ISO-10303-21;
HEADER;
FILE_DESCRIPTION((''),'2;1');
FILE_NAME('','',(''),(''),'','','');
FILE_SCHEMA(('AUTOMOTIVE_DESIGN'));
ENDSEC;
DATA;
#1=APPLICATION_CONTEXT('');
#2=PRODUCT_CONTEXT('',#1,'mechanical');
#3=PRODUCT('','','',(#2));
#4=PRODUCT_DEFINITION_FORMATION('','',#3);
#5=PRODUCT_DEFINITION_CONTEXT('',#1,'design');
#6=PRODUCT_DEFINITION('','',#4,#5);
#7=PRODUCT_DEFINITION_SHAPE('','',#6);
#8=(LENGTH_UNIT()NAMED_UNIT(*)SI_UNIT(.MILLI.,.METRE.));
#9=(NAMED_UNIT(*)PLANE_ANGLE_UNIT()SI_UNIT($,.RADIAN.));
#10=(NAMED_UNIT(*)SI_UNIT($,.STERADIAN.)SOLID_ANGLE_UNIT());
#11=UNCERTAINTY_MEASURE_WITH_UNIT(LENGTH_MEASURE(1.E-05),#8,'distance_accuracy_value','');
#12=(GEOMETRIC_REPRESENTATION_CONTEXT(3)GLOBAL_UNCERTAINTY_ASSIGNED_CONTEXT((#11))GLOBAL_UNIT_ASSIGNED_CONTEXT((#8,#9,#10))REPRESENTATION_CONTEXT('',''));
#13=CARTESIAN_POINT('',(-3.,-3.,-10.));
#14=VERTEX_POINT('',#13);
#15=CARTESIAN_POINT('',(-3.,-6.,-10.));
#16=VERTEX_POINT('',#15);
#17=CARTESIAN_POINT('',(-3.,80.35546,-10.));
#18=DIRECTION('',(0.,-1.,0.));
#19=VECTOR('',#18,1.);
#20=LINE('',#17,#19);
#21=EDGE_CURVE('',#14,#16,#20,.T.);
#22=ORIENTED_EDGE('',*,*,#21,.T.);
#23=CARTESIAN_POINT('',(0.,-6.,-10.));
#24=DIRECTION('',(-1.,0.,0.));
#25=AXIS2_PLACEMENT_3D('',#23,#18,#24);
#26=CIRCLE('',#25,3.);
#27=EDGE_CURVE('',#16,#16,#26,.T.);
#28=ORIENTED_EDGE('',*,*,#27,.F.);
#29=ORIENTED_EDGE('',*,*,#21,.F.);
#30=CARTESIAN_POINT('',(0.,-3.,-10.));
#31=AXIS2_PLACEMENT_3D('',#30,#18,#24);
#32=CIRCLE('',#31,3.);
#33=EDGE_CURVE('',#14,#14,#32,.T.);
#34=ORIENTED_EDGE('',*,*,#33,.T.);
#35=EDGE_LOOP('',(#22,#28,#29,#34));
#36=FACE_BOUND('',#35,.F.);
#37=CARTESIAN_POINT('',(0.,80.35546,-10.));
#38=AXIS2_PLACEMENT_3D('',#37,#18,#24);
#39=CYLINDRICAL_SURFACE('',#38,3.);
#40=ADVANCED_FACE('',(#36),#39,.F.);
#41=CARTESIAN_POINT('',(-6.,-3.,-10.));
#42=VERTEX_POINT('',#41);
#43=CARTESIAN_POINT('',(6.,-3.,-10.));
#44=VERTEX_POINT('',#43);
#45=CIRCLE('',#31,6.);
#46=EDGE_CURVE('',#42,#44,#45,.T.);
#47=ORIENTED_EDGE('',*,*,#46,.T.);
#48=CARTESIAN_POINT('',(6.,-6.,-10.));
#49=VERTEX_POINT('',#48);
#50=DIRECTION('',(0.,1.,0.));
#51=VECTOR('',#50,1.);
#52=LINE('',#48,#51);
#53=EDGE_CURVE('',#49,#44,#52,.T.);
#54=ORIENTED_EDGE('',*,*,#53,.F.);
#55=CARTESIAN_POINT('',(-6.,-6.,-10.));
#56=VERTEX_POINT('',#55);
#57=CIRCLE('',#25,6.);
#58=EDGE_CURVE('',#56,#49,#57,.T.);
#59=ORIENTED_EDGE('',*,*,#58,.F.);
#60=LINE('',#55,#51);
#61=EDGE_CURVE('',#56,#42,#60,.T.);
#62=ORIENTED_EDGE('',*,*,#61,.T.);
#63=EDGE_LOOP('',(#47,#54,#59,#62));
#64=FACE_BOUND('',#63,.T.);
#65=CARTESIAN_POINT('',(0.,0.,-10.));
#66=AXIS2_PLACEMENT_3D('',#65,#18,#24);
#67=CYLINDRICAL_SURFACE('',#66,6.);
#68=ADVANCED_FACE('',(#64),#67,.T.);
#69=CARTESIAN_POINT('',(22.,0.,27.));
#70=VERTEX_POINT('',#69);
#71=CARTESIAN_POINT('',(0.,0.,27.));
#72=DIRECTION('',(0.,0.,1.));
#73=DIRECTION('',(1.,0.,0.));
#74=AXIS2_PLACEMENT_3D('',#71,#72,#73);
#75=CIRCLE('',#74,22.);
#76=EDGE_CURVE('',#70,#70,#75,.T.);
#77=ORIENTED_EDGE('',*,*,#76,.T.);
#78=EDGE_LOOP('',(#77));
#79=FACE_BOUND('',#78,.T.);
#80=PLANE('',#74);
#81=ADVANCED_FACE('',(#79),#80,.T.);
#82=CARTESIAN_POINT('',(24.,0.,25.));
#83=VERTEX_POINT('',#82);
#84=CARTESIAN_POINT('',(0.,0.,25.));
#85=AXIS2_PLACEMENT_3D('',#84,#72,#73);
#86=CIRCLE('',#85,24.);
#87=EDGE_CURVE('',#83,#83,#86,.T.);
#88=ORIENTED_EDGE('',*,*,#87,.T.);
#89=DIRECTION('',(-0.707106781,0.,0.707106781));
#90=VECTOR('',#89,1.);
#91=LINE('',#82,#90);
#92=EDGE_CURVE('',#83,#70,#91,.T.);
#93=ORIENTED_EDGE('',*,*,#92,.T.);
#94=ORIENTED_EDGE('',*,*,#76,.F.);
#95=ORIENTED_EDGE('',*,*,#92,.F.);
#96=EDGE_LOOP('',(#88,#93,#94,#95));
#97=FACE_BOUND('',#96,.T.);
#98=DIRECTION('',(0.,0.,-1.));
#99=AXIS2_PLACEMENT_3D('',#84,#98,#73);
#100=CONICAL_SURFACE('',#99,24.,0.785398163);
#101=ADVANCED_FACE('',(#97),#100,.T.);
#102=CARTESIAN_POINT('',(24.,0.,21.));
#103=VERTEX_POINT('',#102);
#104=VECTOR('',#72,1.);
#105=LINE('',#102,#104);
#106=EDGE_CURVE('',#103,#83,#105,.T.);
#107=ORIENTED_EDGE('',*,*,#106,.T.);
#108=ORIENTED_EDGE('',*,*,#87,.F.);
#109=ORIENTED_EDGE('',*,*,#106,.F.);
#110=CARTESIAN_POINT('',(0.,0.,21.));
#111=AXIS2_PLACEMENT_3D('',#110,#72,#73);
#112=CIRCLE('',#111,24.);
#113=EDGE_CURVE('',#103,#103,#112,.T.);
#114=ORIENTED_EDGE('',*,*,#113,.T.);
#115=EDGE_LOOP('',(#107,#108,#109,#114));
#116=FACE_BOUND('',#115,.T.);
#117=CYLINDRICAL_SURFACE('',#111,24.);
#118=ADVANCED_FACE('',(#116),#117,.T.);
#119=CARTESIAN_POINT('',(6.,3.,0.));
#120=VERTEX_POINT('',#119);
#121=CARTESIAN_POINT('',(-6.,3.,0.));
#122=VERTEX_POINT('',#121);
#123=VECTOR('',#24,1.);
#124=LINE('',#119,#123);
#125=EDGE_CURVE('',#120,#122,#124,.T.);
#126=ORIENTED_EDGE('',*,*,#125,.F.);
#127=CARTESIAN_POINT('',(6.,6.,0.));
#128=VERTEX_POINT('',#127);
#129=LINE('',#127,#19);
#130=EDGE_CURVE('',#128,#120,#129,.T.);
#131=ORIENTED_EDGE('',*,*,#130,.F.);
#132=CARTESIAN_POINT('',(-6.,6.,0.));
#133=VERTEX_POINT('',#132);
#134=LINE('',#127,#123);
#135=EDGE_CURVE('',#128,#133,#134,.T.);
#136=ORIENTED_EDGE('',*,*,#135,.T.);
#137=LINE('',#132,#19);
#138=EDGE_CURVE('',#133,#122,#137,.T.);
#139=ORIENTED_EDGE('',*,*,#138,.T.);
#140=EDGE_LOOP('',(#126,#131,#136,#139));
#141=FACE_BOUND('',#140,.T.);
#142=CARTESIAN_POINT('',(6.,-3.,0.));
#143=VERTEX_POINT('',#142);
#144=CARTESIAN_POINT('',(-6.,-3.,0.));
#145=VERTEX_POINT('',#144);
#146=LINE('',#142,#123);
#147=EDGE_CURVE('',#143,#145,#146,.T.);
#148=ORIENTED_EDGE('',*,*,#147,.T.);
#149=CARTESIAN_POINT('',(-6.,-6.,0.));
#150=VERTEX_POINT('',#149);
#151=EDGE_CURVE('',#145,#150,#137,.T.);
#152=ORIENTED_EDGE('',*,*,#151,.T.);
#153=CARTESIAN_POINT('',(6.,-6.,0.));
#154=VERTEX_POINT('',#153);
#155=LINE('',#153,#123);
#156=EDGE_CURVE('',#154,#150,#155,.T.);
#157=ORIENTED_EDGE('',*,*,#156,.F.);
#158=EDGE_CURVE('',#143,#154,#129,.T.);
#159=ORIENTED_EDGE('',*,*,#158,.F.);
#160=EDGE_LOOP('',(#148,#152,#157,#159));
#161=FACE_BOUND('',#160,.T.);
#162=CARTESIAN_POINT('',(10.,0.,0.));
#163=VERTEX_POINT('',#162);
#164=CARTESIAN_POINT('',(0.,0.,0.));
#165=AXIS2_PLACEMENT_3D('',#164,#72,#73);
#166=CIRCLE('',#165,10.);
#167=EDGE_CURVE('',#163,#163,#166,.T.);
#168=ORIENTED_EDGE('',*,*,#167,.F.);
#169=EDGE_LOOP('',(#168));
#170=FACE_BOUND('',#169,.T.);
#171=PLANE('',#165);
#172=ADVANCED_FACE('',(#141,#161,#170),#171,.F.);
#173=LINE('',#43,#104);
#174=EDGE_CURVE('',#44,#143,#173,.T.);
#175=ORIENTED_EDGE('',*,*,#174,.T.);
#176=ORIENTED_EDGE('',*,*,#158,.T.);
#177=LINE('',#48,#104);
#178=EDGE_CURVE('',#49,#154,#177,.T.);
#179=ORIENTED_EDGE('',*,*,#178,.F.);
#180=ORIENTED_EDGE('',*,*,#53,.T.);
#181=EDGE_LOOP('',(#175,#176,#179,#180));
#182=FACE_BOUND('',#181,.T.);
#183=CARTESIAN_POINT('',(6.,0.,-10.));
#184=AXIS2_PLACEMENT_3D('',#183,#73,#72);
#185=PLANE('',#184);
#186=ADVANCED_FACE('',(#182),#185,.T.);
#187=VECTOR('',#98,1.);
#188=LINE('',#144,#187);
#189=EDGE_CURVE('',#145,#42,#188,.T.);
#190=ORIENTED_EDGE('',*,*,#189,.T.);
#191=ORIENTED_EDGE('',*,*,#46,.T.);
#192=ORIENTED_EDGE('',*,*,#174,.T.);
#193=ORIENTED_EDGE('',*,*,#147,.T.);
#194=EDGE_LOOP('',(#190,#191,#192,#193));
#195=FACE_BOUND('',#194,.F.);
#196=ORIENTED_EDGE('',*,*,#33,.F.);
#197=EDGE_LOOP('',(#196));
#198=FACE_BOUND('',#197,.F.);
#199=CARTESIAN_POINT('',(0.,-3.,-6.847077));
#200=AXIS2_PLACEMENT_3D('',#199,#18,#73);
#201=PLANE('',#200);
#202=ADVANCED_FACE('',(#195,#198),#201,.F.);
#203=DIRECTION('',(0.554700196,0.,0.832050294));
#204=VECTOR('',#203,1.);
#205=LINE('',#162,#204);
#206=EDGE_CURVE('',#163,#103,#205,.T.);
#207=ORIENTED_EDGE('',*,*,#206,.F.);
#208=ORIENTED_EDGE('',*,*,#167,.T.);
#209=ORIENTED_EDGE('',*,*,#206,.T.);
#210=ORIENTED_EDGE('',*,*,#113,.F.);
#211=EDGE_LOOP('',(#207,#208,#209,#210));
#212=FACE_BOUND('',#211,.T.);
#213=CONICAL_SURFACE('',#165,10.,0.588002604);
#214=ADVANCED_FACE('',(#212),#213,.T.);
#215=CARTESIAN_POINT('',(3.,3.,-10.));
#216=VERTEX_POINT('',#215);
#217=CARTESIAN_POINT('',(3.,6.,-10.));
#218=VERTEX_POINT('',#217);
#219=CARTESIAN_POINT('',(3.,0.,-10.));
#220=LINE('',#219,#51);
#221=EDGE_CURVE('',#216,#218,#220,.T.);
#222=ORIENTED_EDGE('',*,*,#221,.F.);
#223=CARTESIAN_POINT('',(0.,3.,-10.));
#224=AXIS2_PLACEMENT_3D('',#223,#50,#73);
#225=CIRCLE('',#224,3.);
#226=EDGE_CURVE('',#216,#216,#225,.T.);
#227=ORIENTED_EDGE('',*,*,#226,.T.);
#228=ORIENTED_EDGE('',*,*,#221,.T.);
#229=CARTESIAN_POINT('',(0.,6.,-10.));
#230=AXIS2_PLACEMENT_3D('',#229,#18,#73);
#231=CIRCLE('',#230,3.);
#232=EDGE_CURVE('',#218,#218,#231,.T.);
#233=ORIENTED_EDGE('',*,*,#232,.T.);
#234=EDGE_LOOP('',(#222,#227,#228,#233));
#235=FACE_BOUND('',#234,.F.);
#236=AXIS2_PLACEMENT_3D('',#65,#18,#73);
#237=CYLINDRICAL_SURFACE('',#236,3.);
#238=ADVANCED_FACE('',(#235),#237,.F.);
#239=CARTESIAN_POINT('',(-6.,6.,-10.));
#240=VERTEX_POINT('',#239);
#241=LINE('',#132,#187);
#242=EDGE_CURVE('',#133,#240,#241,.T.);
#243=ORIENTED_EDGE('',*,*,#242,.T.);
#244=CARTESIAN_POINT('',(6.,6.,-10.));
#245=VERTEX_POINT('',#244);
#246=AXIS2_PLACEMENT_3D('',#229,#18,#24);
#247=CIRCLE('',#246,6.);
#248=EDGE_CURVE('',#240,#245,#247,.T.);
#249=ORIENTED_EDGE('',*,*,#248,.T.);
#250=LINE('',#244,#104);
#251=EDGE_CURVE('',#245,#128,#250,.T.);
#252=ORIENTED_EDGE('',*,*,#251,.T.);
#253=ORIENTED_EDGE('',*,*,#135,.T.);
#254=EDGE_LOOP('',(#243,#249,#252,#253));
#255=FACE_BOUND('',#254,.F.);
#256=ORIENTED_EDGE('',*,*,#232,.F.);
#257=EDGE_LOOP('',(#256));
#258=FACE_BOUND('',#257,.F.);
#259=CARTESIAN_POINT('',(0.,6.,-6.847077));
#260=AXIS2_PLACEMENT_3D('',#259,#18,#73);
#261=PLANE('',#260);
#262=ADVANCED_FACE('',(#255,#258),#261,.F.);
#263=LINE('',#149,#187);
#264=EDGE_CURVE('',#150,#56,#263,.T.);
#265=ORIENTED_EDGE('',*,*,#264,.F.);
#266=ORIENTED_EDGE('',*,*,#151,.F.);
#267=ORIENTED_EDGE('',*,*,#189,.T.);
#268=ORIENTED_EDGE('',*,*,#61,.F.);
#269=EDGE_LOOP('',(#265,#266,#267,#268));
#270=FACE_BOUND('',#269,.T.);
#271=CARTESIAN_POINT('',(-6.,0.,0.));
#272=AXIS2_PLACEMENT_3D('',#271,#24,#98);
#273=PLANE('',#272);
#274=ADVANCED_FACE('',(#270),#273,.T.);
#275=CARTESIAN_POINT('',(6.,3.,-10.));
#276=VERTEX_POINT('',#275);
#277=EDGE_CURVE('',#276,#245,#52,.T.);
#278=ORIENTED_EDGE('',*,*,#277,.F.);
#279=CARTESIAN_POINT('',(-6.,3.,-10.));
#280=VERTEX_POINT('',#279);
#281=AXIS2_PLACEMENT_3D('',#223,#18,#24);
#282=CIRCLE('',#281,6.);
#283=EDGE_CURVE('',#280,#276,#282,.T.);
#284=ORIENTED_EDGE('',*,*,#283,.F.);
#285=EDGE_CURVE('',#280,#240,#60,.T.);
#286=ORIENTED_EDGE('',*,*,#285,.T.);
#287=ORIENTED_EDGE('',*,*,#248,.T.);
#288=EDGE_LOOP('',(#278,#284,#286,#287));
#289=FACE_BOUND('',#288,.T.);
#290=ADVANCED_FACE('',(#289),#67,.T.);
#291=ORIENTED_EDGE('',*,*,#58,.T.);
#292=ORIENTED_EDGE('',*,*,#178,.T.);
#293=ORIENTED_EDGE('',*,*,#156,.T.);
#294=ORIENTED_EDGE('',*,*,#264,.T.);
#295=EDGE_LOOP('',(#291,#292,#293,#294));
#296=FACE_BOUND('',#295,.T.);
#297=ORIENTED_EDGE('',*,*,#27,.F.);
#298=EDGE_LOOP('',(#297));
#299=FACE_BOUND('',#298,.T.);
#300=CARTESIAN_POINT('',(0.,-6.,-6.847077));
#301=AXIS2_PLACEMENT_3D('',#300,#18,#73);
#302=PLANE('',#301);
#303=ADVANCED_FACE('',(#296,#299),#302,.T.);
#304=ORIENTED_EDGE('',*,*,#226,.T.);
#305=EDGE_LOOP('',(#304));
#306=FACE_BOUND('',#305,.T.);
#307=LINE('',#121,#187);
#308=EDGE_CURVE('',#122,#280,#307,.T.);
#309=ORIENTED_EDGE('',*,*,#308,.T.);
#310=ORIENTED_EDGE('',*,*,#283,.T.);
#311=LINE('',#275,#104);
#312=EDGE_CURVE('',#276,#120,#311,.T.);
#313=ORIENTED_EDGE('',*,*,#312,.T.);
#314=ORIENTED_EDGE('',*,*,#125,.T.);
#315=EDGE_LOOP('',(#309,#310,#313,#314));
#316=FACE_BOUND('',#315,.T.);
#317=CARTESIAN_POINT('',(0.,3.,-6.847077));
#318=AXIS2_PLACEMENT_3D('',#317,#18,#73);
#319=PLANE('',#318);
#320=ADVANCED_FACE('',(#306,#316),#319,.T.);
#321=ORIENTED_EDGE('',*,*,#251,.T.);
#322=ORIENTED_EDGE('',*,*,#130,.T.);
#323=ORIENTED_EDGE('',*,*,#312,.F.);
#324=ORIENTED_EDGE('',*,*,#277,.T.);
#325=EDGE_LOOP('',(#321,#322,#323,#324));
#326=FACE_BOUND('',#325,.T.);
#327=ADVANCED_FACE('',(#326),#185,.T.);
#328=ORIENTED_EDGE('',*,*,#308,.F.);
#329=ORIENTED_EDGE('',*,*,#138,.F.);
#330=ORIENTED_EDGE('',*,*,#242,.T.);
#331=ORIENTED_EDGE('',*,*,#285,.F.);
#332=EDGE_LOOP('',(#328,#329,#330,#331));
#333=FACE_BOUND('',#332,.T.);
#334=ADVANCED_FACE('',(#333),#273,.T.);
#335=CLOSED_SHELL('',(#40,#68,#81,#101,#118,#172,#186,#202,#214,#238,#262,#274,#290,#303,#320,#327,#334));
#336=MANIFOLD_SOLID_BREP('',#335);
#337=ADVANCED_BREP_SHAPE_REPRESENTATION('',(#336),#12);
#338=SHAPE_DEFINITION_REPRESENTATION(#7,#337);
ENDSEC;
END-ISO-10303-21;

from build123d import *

# Parameters (mm, degrees)
F3_DEPTH = 6
F4_DEPTH = 3
F5_D     = 6
F5_DEPTH = 24.001
F6_D     = 6
F7_SIZE  = 2


with BuildPart() as f1:
    # F0 (on Front) → F1 (revolve)
    with BuildSketch(Plane.XZ):
        Polygon((0, 27), (0, 0), (10, 0), (24, 21), (24, 27), align=None)
    revolve(axis=Axis((0, 0, 13.5), (0, 0, 1)))

    # F2 (on Front) → F3 (join, symmetric)
    with BuildSketch(Plane.XZ):
        with BuildLine():
            Line((6, -10), (6, 0))
            Line((6, 0), (-6, 0))
            Line((-6, 0), (-6, -10))
            ThreePointArc((-6, -10), (0, -16), (6, -10))
        make_face()
    extrude(amount=F3_DEPTH, both=True)

    # F2 (on Front) → F4 (cut, symmetric)
    with BuildSketch(Plane.XZ):
        with BuildLine():
            Line((6, -10), (6, 0))
            Line((6, 0), (-6, 0))
            Line((-6, 0), (-6, -10))
            ThreePointArc((-6, -10), (0, -16), (6, -10))
        make_face()
    extrude(amount=F4_DEPTH, both=True, mode=Mode.SUBTRACT)

    # F5 (through all, one way)
    with BuildSketch(Plane.XZ):
        with Locations((0, -10)):
            Circle(F5_D / 2)
    extrude(amount=-F5_DEPTH, mode=Mode.SUBTRACT)

    # F6 (through all)
    with Locations(Plane(origin=(0, 0, 0), x_dir=(1, 0, 0), z_dir=(0, 1, 0))):
        with Locations((0, 10)):
            Hole(F6_D / 2)

    # F7
    f7_edges = [f1.edges().sort_by_distance(p)[0] for p in [
        (-24, 0, 27),
    ]]
    chamfer(f7_edges, length=F7_SIZE)


solid = f1.part
